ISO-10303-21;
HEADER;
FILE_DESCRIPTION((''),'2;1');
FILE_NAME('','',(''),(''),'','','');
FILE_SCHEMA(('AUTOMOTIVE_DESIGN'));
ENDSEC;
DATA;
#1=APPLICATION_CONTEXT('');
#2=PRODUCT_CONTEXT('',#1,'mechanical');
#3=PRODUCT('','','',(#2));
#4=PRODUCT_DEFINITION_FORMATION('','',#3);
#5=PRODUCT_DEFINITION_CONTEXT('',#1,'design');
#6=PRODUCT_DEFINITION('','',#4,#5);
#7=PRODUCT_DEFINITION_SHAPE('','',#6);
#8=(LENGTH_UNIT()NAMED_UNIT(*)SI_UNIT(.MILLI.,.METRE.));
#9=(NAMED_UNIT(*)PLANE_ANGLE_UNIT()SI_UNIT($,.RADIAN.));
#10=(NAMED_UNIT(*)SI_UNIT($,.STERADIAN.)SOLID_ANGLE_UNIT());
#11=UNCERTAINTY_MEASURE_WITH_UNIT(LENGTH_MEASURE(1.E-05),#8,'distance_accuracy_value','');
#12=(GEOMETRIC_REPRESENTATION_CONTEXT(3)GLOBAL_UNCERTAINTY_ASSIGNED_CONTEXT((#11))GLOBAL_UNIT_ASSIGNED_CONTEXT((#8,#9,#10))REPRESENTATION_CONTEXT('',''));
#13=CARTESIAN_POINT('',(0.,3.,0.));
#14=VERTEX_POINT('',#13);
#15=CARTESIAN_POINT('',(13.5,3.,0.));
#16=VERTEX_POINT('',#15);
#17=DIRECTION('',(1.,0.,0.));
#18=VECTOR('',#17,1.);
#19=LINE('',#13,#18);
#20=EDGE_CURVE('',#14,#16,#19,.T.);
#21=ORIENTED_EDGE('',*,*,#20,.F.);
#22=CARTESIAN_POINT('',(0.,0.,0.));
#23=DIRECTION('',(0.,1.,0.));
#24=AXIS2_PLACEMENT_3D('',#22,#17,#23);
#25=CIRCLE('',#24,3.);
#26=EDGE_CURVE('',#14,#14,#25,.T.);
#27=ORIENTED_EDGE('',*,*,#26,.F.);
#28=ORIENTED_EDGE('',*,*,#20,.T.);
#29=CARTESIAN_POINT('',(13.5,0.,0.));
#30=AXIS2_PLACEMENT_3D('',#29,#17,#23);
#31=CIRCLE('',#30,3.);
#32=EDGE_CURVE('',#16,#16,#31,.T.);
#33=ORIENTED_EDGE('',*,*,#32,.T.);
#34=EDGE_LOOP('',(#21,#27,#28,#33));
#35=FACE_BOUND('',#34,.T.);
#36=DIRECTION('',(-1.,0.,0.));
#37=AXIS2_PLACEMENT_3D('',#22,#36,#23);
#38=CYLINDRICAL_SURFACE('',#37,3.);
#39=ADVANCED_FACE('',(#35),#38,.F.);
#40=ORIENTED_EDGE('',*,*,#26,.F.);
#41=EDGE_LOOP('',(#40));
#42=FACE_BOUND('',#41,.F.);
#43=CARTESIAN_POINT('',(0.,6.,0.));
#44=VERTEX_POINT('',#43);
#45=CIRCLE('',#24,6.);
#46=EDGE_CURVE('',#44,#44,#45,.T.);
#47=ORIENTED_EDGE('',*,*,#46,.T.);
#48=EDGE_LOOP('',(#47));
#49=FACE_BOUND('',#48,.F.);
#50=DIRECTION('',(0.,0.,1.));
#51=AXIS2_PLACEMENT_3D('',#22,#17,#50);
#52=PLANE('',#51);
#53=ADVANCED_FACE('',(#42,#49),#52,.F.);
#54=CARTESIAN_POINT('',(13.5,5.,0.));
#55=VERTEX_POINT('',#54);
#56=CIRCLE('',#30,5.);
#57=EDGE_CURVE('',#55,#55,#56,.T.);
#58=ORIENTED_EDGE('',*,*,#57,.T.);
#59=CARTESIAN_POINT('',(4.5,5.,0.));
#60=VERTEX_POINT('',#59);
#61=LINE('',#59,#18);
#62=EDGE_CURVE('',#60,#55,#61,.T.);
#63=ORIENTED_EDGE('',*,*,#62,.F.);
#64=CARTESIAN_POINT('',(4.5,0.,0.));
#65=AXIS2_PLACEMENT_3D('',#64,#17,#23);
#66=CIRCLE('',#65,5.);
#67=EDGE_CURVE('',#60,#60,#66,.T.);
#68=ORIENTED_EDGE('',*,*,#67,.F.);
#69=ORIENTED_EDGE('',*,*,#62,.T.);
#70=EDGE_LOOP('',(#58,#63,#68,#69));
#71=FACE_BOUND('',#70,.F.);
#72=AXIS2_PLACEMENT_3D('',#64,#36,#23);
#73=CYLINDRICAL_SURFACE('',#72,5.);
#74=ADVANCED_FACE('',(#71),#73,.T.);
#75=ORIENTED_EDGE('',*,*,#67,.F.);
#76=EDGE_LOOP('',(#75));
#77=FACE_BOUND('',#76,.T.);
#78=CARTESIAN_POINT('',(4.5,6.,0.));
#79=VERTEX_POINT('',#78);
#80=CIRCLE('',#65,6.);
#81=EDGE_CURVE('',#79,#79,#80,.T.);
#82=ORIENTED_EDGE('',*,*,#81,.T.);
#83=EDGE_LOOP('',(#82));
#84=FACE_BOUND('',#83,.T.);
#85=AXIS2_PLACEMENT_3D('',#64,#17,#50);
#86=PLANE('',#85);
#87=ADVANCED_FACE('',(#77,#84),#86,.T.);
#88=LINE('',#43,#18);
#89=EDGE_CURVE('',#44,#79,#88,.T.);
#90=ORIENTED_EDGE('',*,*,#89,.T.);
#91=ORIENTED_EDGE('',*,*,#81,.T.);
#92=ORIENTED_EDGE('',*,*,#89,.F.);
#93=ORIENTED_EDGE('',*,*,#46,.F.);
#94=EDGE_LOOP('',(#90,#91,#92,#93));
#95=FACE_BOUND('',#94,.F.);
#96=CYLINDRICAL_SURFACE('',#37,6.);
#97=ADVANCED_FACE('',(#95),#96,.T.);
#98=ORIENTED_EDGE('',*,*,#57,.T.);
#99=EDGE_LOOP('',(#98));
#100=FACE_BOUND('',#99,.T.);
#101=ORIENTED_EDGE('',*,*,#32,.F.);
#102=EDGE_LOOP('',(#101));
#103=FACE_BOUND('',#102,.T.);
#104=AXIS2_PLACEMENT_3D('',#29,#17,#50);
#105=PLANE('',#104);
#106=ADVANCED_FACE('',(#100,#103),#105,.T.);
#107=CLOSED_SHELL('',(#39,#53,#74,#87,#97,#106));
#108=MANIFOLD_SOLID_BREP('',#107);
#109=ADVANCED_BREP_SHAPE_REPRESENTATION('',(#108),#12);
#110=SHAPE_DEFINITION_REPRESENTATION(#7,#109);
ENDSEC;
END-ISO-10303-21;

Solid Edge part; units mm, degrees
sketch "Sketch1" plane through (0, 0, 0) normal (1, 0, 0) x (0, 1, 0)
  circle A0 centre (0, 0) radius 6
  circle A1 centre (0, 0) radius 3
  dimension "D1" = 6
  dimension "D2" = 12
extrude "Protrusion1" add sketch "Sketch1" along normal blind 4.5
sketch "Sketch2" plane through (4.5, 0, 0) normal (1, 0, 0) x (0, 1, 0)
  circle A0 centre (0, 0) radius 5
  circle A1 centre (0, 0) radius 3
  dimension "D1" = 10
extrude "ExtrudedProtrusion_2" add sketch "Sketch2" along normal blind 9
